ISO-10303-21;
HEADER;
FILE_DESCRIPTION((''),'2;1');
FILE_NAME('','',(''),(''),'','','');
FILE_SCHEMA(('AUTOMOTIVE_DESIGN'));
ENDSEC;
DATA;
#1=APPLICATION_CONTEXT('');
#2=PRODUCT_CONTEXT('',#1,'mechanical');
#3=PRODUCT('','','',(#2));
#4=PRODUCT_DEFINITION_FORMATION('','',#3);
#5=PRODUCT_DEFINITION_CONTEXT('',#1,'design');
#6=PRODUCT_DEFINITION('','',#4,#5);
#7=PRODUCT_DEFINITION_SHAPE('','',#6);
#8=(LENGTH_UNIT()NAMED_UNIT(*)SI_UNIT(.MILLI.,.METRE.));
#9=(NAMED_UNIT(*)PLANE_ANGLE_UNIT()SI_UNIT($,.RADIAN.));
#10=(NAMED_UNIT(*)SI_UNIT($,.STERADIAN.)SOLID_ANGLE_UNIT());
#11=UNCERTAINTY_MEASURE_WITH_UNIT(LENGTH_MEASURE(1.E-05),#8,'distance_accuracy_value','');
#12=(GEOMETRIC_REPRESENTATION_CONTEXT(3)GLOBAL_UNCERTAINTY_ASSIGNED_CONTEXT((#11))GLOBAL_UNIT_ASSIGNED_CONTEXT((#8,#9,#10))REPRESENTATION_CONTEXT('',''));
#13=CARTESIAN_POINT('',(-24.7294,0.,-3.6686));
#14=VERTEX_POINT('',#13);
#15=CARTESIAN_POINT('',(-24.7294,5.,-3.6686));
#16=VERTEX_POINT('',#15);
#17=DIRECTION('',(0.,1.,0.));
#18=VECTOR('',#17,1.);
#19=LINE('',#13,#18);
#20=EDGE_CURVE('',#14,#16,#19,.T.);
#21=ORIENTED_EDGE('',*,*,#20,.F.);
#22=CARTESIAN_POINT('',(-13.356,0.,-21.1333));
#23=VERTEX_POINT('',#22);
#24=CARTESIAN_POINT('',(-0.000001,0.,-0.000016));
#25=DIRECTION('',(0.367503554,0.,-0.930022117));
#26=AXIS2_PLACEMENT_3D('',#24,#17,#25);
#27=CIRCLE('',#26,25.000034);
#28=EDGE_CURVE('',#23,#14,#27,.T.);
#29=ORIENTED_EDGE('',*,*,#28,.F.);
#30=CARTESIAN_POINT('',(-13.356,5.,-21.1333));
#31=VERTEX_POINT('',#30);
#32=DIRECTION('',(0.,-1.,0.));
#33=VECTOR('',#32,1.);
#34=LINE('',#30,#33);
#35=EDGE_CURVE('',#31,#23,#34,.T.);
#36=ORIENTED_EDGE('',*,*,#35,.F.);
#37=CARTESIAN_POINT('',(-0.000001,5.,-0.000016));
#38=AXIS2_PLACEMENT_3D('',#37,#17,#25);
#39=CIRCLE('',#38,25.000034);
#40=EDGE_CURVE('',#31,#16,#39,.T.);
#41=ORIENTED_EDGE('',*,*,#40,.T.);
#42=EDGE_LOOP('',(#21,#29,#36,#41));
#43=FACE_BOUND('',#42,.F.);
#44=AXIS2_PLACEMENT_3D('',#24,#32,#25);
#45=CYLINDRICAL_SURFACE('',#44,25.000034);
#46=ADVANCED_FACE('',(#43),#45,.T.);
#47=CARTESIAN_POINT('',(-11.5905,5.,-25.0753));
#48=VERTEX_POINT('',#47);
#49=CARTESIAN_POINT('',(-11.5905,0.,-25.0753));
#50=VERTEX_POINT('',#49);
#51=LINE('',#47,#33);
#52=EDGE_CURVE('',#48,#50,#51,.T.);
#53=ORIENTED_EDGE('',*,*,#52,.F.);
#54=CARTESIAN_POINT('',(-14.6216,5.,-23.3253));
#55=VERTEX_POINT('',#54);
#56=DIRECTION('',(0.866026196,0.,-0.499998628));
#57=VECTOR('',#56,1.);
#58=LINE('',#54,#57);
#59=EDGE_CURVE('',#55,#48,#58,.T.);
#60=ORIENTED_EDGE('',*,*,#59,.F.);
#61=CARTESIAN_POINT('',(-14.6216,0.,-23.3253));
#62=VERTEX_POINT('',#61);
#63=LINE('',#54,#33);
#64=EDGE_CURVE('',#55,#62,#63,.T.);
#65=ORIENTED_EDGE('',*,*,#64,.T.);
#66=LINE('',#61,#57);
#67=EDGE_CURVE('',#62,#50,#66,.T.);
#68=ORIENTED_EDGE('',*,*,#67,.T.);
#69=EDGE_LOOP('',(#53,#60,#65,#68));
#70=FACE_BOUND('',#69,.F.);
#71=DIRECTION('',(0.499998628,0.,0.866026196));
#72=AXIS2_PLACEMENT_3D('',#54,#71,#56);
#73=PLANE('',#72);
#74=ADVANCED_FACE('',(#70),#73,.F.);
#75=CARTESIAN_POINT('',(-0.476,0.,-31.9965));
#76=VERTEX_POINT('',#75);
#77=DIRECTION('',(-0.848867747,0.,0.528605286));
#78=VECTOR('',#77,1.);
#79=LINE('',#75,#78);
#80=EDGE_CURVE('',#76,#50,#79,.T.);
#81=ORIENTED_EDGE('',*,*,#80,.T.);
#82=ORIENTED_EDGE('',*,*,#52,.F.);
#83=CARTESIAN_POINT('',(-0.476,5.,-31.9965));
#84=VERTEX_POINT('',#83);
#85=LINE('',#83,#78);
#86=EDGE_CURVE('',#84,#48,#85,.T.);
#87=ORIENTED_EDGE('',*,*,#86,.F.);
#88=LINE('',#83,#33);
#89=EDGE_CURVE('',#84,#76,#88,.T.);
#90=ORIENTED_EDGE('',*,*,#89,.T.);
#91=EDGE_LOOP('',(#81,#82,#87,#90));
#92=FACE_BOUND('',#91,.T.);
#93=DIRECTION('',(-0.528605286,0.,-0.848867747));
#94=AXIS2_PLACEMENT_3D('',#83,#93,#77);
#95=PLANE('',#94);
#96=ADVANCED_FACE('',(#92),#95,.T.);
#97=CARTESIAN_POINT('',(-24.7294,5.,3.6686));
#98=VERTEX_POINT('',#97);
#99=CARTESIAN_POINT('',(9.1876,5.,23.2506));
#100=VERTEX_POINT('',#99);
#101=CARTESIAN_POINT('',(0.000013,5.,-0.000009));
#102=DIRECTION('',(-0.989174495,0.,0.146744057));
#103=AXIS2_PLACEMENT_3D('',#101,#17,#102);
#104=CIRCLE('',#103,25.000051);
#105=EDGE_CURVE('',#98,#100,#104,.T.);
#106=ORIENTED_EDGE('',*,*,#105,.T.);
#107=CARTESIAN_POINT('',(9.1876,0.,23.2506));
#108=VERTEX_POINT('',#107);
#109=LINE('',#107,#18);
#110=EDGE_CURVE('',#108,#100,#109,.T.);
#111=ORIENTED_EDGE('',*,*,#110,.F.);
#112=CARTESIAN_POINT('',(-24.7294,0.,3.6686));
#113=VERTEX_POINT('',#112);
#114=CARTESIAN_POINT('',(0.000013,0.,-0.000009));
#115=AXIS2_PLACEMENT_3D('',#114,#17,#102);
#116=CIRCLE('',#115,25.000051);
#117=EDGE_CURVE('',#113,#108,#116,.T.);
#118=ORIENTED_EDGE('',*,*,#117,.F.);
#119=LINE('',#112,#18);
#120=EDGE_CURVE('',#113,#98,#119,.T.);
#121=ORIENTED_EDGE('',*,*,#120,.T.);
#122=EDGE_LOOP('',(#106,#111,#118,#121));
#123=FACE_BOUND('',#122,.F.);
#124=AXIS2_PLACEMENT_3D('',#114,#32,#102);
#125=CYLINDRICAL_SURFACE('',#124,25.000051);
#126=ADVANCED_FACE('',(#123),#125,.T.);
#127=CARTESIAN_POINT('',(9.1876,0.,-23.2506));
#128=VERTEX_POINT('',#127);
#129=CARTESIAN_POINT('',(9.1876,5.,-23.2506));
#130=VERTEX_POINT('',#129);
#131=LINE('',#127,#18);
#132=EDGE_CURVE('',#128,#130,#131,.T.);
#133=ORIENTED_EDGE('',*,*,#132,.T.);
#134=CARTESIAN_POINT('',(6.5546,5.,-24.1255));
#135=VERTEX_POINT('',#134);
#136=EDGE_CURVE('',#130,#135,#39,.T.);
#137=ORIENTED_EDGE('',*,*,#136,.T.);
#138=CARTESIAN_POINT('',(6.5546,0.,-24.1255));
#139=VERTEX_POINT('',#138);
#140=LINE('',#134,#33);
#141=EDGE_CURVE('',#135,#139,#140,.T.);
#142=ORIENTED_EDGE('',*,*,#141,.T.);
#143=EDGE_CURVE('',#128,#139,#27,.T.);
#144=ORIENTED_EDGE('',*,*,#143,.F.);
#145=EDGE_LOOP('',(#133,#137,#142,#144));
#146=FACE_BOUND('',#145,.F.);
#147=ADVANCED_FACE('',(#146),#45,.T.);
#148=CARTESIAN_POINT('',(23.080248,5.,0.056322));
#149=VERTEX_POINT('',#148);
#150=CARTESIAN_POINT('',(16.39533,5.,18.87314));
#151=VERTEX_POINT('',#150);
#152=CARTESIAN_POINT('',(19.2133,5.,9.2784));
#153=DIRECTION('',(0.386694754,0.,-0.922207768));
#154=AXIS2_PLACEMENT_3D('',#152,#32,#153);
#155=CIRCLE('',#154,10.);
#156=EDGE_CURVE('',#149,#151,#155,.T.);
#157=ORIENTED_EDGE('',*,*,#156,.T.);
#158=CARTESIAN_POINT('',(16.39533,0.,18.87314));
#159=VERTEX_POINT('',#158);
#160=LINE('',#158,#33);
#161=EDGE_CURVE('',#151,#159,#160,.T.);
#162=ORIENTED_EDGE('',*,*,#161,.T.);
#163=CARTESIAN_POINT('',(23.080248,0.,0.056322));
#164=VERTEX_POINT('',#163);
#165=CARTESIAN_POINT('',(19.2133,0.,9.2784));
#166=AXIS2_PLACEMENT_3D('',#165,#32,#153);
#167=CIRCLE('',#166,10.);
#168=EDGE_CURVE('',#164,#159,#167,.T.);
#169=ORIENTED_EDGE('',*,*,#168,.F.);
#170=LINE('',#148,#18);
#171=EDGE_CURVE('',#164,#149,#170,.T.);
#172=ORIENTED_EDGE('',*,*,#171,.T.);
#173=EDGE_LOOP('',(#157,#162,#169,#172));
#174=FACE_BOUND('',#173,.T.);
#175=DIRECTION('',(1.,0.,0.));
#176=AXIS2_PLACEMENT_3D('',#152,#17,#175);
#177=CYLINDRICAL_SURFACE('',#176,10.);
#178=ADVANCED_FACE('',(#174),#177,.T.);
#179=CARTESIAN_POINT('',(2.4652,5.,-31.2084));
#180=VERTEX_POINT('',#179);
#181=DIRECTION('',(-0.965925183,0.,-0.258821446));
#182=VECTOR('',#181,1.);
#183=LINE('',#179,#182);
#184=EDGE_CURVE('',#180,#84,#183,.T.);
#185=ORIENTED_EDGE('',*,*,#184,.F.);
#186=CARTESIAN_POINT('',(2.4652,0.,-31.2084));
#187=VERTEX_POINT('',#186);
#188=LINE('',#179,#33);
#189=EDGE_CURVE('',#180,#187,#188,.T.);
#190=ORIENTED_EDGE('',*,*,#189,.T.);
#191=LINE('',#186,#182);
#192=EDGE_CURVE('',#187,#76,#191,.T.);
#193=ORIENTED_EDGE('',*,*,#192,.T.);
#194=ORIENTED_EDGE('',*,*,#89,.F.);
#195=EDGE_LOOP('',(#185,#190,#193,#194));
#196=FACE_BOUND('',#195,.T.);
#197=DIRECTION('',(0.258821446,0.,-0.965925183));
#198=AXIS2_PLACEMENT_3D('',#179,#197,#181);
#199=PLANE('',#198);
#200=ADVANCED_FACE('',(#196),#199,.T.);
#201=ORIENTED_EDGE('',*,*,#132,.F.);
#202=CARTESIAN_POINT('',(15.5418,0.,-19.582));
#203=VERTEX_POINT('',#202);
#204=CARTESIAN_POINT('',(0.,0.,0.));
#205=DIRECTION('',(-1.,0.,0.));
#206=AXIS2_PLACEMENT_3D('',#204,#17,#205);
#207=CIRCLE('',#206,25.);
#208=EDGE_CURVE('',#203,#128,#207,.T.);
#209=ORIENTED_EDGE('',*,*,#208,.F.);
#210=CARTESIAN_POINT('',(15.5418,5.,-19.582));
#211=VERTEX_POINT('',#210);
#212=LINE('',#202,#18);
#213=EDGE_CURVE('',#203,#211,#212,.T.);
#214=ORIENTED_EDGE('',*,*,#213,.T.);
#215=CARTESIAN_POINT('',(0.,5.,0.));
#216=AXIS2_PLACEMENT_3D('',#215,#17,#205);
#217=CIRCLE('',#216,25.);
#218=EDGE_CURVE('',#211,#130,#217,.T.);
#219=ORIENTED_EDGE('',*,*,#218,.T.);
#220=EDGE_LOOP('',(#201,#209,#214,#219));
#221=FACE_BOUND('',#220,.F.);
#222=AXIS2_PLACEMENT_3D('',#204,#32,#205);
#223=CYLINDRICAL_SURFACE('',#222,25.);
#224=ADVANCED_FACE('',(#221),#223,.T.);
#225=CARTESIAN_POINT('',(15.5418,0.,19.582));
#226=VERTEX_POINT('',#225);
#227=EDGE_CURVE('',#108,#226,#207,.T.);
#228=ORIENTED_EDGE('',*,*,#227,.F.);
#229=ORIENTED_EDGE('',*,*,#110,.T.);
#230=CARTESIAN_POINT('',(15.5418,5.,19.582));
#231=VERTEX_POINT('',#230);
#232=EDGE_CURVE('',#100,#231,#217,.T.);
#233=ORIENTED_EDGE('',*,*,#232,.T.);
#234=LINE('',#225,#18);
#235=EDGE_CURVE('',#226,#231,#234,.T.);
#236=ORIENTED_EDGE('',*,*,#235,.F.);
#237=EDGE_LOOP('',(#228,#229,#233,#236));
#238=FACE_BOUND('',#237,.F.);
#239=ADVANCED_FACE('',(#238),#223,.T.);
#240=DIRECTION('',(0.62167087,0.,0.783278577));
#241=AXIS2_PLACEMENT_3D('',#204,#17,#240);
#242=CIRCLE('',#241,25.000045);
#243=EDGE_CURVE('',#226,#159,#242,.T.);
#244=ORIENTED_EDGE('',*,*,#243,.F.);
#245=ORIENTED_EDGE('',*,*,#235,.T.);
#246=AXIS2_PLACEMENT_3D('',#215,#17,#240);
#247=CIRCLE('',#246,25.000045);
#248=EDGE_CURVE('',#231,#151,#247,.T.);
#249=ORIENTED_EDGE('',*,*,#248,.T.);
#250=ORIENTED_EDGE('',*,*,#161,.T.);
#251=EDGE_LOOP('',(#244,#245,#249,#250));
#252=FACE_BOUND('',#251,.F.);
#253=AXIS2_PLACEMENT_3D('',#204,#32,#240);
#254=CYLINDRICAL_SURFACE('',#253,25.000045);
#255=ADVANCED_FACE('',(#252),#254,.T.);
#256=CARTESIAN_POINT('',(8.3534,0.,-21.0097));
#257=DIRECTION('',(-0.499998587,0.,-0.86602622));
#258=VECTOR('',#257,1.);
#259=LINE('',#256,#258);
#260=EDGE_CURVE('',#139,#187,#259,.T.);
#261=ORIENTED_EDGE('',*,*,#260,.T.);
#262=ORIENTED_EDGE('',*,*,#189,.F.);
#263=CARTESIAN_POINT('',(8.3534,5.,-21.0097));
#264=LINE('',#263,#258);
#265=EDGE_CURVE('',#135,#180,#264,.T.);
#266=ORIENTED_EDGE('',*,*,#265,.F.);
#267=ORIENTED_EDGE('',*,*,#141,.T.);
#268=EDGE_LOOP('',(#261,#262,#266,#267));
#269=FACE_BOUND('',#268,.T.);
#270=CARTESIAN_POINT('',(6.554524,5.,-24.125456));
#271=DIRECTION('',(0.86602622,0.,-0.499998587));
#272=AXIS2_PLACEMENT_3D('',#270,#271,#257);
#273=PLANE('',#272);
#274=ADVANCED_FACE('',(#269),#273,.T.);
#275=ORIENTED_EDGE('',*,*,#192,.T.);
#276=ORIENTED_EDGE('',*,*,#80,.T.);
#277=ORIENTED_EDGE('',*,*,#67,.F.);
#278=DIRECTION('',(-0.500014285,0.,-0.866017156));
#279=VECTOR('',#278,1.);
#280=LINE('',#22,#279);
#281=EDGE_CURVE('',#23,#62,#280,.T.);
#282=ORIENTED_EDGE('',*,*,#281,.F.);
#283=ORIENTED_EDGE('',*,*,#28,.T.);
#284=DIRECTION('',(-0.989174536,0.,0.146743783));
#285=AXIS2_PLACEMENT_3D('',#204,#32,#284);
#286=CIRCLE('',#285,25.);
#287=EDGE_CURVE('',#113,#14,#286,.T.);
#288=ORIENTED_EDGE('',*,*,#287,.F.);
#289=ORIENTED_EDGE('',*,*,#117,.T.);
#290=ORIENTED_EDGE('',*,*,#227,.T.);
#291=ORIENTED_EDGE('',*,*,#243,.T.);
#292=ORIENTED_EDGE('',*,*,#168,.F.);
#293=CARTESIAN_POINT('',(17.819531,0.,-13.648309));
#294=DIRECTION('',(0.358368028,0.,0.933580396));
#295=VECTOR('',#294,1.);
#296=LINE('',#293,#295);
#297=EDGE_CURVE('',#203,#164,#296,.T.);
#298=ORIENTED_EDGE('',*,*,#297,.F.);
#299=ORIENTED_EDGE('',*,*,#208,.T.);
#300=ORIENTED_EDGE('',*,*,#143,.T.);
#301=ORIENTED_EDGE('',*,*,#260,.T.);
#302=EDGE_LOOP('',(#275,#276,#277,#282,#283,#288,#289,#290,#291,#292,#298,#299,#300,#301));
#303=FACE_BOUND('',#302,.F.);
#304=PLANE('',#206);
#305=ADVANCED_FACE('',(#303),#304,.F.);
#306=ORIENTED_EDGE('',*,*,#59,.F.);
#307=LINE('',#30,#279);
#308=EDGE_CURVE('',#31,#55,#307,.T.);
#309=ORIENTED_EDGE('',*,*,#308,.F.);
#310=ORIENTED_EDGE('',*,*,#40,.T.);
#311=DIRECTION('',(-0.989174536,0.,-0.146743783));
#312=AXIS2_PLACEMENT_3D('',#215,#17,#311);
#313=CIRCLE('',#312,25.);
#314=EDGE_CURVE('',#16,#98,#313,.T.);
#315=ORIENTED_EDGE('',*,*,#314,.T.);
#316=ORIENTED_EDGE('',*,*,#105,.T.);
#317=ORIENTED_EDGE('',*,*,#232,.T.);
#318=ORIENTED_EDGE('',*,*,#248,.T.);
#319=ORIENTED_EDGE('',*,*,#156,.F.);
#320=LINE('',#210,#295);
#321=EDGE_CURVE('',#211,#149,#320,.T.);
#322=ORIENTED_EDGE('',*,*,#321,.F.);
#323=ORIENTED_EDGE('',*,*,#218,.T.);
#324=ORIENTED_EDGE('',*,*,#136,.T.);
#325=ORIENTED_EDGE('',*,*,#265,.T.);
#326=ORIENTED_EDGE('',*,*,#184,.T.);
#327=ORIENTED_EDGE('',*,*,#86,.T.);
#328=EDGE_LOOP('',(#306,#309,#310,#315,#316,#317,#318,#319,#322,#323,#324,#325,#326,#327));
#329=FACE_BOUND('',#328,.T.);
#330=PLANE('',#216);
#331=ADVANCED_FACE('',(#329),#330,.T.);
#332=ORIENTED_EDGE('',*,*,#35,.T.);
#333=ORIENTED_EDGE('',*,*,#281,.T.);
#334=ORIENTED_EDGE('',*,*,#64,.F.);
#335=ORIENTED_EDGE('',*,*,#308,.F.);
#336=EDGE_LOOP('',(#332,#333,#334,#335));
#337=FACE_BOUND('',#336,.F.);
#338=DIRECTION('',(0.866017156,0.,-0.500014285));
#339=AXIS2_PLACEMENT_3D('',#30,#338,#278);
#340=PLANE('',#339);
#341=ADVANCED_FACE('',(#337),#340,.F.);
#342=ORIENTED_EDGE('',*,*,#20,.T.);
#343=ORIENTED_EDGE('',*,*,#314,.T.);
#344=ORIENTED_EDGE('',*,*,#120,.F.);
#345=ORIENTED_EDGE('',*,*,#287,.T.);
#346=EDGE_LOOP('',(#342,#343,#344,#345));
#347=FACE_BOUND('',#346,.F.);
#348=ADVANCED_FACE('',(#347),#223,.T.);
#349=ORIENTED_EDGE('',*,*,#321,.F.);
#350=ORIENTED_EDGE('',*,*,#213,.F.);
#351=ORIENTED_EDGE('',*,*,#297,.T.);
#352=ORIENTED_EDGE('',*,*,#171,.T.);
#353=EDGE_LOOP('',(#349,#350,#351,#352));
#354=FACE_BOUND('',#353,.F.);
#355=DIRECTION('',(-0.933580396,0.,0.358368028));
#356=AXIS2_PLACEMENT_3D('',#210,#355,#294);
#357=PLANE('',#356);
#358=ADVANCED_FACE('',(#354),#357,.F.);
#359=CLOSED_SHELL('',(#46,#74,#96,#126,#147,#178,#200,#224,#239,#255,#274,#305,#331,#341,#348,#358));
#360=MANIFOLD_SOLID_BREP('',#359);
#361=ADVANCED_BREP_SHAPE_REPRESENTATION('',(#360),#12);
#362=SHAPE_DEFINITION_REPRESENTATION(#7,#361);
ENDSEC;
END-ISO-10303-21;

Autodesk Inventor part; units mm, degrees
ref_plane "YZ Plane" through (0, 0, 0) normal (1, 0, 0) x (0, 1, 0)
ref_plane "XZ Plane" through (0, 0, 0) normal (0, 1, 0) x (-1, 0, 0)
ref_plane "XY Plane" through (0, 0, 0) normal (0, 0, 1) x (1, 0, 0)
sketch "Sketch9" plane through (0, 0, 0) normal (0, 1, 0) x (-1, 0, 0)
  arc A0 (-15.5418, 19.582) -> (-15.5418, -19.582) centre (0, 0) ccw
  arc A1 (-9.1876, -23.2506) -> (24.7294, -3.6686) centre (0, 0) ccw
  arc A2 (24.7294, 3.6686) -> (-9.1876, 23.2506) centre (0, 0) ccw
  circle A3 centre (0, 0) radius 25
  point P0 (-15.5418, -19.582)
  point P1 (-9.1876, -23.2506)
  point P2 (24.7294, -3.6686)
  point P3 (24.7294, 3.6686)
  point P4 (-15.5418, 19.582)
  dimension "d222" = 25
  dimension "d223" = 25
  dimension "d224" = 25
extrude "Extrusion4" add sketch "Sketch9" along normal blind 5
sketch "Sketch17" plane through (0, 5, 0) normal (0, 1, 0) x (1, 0, 0)
  arc A0 (15.5418, -19.582) -> (15.5418, 19.582) centre (0, 0) ccw projected
  line L0 (15.5418, 19.582) -> (24.6527, -4.1527)
  arc A1 (24.6527, -4.1527) -> (15.5418, 19.582) centre (0, 0) ccw
  line L1 (39.1744, 0) -> (-46.6954, 0) construction
  dimension "d244" = 69
extrude "Extrusion8" cut sketch "Sketch17" against normal through all
sketch "Sketch38" plane through (0, 5, 0) normal (0, 1, 0) x (1, 0, 0)
  line L0 (2.4652, 31.2084) -> (-0.476, 31.9965) projected
  line L1 (-0.476, 31.9965) -> (-11.5905, 25.0753)
  line L2 (8.3534, 21.0097) -> (2.4652, 31.2084) projected
  line L3 (-0.476, 31.9965) -> (2.4652, 31.2084)
  circle A0 centre (0, 0) radius 25 projected
  line L4 (2.4652, 31.2084) -> (6.5546, 24.1255)
  arc A1 (6.2227, 24.2132) -> (14.6024, -20.2921) centre (0, 0) ccw
  line L5 (-11.0461, 17.1324) -> (-13.356, 21.1333) projected
  line L6 (-13.356, 21.1333) -> (-14.6216, 23.3253)
  line L7 (-14.6216, 23.3253) -> (-11.5905, 25.0753)
  line L8 (-13.356, 21.1333) -> (-6.4888, 10.7302)
  line L9 (-6.4888, 10.7302) -> (6.2227, 24.2132)
  point P0 (3.9242, 24.6901)
  point P1 (-24.7294, 3.6686)
  point P2 (9.1876, 23.2506)
  point P3 (8.9539, -17.5087)
  point P4 (6.5546, 24.1255)
extrude "Extrusion24" add sketch "Sketch38" against normal blind 5 contours L2 A0 L6 L7 L1 L0
sketch "Sketch43" plane through (0, 5, 0) normal (0, 1, 0) x (1, 0, 0)
  circle A0 centre (19.2133, -9.2784) radius 10
  arc A1 (12.0096, -16.2143) -> (26.417, -2.3425) centre (19.2133, -9.2784) ccw projected
  point P0 (0, 0)
  dimension "d385" = 20
extrude "Extrusion28" add sketch "Sketch43" against normal blind 5
properties part number "Electronic base"
